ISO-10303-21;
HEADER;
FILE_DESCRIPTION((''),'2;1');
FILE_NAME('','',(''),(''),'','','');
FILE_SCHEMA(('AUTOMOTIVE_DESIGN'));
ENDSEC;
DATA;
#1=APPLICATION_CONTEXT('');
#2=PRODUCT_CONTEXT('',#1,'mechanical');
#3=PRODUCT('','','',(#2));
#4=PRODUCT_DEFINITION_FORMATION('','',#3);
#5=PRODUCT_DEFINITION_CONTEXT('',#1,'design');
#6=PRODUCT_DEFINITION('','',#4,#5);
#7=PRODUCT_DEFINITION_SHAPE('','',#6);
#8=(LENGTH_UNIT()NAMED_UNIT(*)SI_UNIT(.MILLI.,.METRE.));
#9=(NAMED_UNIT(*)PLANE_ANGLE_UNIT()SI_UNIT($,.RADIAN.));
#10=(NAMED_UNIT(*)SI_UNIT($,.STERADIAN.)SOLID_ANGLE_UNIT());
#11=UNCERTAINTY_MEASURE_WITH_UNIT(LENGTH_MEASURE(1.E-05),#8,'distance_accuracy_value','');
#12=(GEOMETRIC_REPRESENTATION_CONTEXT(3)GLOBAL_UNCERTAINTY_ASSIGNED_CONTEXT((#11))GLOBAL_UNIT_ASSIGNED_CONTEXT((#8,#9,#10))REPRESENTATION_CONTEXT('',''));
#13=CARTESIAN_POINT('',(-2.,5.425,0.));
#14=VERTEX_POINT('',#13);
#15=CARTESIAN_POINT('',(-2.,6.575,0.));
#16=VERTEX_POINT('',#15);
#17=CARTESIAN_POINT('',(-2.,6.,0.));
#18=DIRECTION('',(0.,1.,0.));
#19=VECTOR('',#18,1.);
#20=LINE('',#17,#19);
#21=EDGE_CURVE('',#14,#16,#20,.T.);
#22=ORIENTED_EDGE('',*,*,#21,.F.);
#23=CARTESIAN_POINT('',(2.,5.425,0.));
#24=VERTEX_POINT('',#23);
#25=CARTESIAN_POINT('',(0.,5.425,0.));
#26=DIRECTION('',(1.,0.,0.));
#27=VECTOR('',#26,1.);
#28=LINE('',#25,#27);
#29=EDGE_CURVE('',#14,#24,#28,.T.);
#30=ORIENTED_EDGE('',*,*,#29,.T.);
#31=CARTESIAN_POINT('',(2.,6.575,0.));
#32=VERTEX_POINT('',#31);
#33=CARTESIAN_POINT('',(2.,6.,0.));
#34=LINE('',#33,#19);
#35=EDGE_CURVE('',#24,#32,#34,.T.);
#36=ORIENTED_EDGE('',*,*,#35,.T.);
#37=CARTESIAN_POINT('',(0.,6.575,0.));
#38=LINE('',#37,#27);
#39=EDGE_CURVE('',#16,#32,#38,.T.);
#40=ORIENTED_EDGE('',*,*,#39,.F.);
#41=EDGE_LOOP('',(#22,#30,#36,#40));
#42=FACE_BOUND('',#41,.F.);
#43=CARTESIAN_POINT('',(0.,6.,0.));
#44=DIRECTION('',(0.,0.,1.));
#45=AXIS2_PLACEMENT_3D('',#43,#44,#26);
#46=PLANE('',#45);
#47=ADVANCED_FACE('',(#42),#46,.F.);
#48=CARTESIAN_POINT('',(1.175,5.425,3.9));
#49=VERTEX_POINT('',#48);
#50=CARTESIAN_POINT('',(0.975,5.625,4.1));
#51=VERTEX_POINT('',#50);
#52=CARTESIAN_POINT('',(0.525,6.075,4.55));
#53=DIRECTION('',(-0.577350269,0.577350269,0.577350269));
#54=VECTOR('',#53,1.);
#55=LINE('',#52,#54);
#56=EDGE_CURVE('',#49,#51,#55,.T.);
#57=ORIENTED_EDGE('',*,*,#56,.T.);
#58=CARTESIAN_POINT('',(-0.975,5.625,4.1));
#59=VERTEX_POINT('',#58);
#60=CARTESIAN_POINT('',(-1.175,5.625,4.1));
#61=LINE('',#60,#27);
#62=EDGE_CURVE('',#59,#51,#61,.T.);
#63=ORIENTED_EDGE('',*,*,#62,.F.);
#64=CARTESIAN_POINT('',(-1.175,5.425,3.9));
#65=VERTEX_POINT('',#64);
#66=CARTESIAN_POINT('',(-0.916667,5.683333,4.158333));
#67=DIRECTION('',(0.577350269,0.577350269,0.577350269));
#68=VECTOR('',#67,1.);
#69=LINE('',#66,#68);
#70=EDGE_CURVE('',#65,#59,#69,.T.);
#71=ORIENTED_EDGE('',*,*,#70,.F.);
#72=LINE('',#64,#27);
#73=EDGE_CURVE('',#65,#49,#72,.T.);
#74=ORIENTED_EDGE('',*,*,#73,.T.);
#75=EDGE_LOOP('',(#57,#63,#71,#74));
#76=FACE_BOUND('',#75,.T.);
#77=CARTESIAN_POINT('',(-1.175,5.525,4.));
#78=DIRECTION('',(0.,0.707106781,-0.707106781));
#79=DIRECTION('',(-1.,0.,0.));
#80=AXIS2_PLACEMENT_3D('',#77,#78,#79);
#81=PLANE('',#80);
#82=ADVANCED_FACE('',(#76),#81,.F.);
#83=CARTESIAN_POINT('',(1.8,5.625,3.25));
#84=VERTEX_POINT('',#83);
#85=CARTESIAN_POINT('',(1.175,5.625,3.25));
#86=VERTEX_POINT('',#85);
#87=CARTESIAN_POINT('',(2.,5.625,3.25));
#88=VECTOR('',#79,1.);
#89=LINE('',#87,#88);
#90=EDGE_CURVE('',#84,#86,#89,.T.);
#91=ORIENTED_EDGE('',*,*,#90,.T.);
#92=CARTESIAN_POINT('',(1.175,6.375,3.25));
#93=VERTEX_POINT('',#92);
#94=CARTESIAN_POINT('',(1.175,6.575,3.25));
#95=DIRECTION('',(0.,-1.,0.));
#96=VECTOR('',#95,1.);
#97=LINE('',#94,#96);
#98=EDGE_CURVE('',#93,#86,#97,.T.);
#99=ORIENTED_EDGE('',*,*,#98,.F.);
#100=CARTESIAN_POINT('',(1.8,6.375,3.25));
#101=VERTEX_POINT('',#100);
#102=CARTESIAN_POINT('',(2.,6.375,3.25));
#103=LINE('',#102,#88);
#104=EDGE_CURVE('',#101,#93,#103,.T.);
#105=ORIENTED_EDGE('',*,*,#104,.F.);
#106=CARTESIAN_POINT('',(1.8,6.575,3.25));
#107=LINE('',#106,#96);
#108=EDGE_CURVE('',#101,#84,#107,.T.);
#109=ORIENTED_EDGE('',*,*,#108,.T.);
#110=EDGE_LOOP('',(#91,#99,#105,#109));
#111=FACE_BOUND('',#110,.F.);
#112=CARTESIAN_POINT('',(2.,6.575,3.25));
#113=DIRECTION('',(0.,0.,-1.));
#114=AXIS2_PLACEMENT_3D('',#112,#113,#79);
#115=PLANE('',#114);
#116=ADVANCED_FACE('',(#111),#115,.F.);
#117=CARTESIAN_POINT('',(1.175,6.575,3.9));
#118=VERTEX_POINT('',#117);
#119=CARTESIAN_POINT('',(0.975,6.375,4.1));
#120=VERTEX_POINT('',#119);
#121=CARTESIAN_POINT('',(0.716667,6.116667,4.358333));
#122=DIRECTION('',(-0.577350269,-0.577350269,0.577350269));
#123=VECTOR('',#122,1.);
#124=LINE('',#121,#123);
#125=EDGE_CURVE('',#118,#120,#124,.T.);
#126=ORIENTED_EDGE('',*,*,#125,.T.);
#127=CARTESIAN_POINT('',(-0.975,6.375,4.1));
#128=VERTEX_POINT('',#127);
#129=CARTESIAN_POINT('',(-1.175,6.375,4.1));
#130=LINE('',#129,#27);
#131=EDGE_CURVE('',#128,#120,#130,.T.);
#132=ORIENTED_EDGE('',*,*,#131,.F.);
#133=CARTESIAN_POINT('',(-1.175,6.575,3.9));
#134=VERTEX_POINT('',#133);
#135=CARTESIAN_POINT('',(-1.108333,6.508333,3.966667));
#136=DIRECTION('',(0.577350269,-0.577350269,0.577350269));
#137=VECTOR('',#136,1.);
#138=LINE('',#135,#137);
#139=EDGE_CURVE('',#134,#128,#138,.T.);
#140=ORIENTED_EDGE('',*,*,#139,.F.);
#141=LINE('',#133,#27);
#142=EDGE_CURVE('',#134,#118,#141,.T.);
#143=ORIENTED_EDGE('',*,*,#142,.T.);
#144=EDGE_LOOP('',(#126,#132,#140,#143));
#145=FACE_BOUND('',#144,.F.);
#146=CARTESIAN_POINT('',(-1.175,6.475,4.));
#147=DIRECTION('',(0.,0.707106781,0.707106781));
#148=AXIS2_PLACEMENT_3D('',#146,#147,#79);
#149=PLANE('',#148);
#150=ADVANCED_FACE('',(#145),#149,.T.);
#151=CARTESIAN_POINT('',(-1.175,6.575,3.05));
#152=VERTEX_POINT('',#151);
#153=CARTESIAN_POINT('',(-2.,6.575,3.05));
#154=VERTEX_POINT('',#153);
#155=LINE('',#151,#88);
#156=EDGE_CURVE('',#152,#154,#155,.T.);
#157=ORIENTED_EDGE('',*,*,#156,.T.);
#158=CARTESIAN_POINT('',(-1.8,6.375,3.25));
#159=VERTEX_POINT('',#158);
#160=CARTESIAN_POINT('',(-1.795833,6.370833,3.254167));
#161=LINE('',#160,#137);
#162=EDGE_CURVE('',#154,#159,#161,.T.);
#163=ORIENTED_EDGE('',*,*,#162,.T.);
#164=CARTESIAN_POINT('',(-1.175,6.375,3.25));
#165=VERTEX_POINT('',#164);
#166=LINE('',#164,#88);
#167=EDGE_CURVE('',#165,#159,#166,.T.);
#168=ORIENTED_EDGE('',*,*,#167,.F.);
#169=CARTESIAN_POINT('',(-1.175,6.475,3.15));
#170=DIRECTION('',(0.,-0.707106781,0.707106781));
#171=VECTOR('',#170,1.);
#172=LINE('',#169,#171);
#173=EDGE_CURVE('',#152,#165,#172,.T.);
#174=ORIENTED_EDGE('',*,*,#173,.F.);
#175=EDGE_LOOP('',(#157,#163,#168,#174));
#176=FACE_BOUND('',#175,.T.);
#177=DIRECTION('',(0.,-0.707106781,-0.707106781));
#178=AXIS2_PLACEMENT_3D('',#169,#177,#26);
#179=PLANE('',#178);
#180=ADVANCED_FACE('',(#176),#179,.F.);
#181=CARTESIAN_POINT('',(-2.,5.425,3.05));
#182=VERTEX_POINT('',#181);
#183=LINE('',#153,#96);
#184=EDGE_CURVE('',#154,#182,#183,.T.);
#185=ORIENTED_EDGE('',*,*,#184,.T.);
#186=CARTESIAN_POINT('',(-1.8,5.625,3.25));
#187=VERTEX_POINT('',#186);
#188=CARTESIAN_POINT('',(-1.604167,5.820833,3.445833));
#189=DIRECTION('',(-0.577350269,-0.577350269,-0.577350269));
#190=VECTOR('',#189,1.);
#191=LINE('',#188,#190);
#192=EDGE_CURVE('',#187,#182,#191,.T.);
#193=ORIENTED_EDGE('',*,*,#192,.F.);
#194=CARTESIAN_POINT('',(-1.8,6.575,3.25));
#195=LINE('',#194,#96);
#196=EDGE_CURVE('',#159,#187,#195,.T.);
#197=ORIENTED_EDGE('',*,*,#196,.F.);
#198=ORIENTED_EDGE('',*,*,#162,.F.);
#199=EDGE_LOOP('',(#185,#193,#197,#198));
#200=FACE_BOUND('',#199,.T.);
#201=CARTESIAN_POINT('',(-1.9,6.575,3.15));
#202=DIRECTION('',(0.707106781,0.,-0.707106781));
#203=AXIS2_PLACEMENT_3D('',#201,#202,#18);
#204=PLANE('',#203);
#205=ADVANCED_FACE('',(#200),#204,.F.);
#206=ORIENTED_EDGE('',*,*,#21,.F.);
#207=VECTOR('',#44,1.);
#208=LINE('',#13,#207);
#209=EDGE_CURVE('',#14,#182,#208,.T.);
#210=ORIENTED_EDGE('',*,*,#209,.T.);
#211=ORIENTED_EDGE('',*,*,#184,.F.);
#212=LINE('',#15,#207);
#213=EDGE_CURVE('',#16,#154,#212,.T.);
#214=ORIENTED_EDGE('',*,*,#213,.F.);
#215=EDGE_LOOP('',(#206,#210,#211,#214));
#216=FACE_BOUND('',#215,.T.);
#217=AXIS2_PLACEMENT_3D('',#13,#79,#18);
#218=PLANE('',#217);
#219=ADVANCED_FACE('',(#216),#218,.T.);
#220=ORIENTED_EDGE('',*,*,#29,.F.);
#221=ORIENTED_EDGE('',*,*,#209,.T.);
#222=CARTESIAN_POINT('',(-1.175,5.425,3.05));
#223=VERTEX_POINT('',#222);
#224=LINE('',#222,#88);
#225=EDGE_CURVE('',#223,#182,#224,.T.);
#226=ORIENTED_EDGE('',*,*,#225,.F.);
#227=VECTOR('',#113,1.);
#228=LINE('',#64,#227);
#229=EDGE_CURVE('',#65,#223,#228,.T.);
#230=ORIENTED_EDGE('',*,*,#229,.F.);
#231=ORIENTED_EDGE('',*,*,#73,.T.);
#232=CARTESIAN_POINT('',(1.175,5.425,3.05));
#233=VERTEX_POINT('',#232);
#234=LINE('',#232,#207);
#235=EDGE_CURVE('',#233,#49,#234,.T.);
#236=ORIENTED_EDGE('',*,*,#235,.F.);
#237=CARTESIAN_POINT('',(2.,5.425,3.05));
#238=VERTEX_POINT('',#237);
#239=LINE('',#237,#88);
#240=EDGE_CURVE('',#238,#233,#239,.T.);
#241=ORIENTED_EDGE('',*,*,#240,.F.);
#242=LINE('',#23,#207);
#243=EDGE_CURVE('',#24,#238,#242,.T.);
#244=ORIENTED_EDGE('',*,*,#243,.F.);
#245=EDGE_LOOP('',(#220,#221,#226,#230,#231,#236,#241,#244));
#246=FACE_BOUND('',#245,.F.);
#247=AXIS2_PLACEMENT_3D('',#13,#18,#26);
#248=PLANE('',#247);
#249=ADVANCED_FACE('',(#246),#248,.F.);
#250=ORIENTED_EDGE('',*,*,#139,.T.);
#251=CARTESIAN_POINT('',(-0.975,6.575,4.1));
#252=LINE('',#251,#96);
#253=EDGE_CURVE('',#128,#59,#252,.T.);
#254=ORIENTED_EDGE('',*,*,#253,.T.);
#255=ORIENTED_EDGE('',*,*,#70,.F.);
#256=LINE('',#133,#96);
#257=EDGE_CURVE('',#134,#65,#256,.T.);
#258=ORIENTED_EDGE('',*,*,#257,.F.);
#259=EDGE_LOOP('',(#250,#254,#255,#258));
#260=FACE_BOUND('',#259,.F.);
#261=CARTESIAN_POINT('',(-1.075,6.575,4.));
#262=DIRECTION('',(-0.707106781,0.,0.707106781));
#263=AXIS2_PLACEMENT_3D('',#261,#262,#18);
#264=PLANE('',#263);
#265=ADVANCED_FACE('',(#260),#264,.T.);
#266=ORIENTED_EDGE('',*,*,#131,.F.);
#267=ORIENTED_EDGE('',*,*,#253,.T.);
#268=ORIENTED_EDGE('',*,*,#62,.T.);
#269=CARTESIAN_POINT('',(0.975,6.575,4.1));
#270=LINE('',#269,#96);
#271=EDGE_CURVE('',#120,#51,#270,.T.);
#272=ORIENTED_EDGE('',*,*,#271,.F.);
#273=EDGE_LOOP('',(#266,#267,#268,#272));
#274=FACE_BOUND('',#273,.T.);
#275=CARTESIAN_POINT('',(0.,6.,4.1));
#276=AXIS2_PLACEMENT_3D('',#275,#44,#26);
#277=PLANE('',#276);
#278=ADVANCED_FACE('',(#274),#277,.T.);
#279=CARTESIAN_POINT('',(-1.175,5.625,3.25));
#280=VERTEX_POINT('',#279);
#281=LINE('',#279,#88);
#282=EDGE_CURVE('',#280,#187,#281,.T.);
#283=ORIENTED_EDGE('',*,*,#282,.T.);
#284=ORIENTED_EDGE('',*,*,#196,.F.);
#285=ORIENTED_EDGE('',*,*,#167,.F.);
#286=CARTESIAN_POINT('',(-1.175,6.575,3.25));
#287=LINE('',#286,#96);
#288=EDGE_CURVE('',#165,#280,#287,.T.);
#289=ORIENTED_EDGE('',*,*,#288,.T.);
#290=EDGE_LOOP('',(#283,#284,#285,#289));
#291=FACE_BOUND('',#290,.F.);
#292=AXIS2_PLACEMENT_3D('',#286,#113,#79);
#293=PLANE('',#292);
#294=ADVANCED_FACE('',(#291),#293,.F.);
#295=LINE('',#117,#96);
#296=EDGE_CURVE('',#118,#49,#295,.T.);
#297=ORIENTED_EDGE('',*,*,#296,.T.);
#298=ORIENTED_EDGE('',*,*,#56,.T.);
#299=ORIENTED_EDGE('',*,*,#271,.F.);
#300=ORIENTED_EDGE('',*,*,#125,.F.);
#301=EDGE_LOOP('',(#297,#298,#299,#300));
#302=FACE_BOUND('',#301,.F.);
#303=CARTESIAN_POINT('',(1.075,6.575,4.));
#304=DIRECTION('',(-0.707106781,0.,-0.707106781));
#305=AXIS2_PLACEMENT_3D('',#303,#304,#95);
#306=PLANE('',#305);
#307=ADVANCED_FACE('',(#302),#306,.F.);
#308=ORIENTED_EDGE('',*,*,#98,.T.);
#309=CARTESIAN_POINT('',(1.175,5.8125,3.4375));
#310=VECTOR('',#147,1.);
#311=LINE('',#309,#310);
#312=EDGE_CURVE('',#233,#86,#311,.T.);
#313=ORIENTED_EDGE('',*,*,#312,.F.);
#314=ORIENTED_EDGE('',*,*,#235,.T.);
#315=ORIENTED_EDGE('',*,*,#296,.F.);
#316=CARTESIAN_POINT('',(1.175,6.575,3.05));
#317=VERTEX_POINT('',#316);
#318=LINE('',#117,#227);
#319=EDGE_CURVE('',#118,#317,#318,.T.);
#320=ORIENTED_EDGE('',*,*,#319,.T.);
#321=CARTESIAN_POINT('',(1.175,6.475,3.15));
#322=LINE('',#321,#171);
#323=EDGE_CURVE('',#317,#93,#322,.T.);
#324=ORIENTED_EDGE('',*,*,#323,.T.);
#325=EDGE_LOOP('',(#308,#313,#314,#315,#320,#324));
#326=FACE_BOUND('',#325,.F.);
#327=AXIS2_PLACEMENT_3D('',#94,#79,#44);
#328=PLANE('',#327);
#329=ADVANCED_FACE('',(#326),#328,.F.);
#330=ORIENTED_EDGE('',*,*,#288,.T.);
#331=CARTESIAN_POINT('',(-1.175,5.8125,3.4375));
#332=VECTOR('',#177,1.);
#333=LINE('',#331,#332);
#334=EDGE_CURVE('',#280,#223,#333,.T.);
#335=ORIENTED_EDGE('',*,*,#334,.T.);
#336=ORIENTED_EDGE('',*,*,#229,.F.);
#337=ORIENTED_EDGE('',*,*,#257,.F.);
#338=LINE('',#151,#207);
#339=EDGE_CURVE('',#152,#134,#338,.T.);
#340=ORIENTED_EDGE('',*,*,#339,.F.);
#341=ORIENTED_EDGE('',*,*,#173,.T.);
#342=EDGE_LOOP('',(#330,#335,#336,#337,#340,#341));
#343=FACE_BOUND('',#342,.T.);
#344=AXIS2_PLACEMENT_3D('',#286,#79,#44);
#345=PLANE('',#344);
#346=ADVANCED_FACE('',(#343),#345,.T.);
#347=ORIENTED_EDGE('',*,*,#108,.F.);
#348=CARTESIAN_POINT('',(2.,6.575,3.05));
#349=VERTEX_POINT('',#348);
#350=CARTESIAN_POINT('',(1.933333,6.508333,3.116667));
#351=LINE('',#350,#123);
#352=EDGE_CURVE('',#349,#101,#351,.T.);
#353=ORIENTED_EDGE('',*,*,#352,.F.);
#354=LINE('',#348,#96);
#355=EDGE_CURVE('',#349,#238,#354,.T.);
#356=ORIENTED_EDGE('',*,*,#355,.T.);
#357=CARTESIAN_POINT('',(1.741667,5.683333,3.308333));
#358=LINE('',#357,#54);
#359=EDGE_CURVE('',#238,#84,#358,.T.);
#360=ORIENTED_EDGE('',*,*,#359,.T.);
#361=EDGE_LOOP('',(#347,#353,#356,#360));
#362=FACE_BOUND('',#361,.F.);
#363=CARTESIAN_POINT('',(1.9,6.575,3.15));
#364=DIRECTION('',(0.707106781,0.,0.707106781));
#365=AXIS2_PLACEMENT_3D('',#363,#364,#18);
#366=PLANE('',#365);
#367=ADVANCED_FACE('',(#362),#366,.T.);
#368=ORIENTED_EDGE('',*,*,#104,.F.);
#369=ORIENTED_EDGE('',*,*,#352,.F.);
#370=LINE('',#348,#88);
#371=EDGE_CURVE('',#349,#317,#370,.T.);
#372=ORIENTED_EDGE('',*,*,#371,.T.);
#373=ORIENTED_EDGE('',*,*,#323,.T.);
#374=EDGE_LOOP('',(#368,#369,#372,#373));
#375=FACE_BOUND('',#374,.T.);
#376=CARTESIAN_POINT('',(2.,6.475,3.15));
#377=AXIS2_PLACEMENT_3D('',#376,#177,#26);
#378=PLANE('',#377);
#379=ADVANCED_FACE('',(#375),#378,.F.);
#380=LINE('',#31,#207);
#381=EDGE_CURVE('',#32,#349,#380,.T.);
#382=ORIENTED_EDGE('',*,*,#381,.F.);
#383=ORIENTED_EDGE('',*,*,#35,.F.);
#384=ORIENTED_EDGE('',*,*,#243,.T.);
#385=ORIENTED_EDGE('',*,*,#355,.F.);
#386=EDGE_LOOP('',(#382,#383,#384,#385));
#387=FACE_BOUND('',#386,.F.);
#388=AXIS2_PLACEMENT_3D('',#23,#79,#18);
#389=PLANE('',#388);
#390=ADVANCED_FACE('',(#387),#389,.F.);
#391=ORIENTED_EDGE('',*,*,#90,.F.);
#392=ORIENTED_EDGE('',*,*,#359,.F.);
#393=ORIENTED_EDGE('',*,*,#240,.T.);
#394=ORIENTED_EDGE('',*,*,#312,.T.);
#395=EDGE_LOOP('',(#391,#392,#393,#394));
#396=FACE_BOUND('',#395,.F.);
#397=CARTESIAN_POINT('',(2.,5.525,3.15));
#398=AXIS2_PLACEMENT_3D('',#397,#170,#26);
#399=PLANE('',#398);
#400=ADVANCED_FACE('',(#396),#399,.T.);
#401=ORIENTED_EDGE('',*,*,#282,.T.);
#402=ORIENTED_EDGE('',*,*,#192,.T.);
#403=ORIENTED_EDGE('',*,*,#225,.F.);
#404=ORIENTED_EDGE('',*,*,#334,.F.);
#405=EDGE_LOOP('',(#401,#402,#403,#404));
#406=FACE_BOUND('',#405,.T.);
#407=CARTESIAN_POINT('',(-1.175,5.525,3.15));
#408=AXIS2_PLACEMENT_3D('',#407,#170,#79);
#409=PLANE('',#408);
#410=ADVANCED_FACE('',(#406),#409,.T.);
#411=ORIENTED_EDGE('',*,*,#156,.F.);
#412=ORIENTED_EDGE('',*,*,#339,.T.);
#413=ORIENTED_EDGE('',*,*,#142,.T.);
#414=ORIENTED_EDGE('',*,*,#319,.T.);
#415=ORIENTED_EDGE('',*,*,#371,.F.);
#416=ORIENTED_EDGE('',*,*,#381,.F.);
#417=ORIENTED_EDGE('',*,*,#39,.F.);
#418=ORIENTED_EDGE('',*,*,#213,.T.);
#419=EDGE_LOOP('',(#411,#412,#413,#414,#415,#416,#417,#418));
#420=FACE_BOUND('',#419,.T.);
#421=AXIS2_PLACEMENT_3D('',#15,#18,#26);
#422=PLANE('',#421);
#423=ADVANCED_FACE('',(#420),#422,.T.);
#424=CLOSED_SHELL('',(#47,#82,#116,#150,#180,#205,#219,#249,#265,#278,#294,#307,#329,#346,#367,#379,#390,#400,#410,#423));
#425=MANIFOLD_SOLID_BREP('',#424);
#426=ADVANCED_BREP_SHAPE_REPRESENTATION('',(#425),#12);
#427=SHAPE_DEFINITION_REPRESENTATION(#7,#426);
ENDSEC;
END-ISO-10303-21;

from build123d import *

# Parameters (mm, degrees)
SKETCH008_W     = 4
SKETCH008_H     = 1.15
PAD005_DEPTH    = 4.1
SKETCH009_W     = 0.825
SKETCH009_H     = 0.85
POCKET002_DEPTH = 5
CHAMFER005_SIZE = 0.2


with BuildPart() as part:
    # Sketch008 → Pad005 (new body)
    with BuildSketch(Plane.XY):
        Rectangle(SKETCH008_W, SKETCH008_H)
    extrude(amount=PAD005_DEPTH)

    # Sketch009 (on Face1 of Pad005) → Pocket002 (cut)
    with BuildSketch(Plane(origin=(0, 0.575, 0), x_dir=(-1, 0, 0), z_dir=(0, 1, 0))):
        with Locations((-1.5875, 3.675)):
            Rectangle(SKETCH009_W, SKETCH009_H)
        with Locations((1.5875, 3.675)):
            Rectangle(SKETCH009_W, SKETCH009_H)
    extrude(amount=-POCKET002_DEPTH, mode=Mode.SUBTRACT)

    # Chamfer005
    chamfer005_edges = [part.edges().sort_by_distance(p)[0] for p in [
        (0, 0.575, 4.1),
        (0, -0.575, 4.1),
        (1.5875, 0.575, 3.25),
        (-1.5875, 0.575, 3.25),
        (-1.5875, -0.575, 3.25),
        (1.5875, -0.575, 3.25),
        (2, 0, 3.25),
        (-2, 0, 3.25),
        (1.175, 0, 4.1),
        (-1.175, 0, 4.1),
    ]]
    chamfer(chamfer005_edges, length=CHAMFER005_SIZE)


with BuildPart() as part_1:
    # Body035 placement: moved
    add(part.part.moved(Location((0, 6, 0))))


solid = part_1.part
